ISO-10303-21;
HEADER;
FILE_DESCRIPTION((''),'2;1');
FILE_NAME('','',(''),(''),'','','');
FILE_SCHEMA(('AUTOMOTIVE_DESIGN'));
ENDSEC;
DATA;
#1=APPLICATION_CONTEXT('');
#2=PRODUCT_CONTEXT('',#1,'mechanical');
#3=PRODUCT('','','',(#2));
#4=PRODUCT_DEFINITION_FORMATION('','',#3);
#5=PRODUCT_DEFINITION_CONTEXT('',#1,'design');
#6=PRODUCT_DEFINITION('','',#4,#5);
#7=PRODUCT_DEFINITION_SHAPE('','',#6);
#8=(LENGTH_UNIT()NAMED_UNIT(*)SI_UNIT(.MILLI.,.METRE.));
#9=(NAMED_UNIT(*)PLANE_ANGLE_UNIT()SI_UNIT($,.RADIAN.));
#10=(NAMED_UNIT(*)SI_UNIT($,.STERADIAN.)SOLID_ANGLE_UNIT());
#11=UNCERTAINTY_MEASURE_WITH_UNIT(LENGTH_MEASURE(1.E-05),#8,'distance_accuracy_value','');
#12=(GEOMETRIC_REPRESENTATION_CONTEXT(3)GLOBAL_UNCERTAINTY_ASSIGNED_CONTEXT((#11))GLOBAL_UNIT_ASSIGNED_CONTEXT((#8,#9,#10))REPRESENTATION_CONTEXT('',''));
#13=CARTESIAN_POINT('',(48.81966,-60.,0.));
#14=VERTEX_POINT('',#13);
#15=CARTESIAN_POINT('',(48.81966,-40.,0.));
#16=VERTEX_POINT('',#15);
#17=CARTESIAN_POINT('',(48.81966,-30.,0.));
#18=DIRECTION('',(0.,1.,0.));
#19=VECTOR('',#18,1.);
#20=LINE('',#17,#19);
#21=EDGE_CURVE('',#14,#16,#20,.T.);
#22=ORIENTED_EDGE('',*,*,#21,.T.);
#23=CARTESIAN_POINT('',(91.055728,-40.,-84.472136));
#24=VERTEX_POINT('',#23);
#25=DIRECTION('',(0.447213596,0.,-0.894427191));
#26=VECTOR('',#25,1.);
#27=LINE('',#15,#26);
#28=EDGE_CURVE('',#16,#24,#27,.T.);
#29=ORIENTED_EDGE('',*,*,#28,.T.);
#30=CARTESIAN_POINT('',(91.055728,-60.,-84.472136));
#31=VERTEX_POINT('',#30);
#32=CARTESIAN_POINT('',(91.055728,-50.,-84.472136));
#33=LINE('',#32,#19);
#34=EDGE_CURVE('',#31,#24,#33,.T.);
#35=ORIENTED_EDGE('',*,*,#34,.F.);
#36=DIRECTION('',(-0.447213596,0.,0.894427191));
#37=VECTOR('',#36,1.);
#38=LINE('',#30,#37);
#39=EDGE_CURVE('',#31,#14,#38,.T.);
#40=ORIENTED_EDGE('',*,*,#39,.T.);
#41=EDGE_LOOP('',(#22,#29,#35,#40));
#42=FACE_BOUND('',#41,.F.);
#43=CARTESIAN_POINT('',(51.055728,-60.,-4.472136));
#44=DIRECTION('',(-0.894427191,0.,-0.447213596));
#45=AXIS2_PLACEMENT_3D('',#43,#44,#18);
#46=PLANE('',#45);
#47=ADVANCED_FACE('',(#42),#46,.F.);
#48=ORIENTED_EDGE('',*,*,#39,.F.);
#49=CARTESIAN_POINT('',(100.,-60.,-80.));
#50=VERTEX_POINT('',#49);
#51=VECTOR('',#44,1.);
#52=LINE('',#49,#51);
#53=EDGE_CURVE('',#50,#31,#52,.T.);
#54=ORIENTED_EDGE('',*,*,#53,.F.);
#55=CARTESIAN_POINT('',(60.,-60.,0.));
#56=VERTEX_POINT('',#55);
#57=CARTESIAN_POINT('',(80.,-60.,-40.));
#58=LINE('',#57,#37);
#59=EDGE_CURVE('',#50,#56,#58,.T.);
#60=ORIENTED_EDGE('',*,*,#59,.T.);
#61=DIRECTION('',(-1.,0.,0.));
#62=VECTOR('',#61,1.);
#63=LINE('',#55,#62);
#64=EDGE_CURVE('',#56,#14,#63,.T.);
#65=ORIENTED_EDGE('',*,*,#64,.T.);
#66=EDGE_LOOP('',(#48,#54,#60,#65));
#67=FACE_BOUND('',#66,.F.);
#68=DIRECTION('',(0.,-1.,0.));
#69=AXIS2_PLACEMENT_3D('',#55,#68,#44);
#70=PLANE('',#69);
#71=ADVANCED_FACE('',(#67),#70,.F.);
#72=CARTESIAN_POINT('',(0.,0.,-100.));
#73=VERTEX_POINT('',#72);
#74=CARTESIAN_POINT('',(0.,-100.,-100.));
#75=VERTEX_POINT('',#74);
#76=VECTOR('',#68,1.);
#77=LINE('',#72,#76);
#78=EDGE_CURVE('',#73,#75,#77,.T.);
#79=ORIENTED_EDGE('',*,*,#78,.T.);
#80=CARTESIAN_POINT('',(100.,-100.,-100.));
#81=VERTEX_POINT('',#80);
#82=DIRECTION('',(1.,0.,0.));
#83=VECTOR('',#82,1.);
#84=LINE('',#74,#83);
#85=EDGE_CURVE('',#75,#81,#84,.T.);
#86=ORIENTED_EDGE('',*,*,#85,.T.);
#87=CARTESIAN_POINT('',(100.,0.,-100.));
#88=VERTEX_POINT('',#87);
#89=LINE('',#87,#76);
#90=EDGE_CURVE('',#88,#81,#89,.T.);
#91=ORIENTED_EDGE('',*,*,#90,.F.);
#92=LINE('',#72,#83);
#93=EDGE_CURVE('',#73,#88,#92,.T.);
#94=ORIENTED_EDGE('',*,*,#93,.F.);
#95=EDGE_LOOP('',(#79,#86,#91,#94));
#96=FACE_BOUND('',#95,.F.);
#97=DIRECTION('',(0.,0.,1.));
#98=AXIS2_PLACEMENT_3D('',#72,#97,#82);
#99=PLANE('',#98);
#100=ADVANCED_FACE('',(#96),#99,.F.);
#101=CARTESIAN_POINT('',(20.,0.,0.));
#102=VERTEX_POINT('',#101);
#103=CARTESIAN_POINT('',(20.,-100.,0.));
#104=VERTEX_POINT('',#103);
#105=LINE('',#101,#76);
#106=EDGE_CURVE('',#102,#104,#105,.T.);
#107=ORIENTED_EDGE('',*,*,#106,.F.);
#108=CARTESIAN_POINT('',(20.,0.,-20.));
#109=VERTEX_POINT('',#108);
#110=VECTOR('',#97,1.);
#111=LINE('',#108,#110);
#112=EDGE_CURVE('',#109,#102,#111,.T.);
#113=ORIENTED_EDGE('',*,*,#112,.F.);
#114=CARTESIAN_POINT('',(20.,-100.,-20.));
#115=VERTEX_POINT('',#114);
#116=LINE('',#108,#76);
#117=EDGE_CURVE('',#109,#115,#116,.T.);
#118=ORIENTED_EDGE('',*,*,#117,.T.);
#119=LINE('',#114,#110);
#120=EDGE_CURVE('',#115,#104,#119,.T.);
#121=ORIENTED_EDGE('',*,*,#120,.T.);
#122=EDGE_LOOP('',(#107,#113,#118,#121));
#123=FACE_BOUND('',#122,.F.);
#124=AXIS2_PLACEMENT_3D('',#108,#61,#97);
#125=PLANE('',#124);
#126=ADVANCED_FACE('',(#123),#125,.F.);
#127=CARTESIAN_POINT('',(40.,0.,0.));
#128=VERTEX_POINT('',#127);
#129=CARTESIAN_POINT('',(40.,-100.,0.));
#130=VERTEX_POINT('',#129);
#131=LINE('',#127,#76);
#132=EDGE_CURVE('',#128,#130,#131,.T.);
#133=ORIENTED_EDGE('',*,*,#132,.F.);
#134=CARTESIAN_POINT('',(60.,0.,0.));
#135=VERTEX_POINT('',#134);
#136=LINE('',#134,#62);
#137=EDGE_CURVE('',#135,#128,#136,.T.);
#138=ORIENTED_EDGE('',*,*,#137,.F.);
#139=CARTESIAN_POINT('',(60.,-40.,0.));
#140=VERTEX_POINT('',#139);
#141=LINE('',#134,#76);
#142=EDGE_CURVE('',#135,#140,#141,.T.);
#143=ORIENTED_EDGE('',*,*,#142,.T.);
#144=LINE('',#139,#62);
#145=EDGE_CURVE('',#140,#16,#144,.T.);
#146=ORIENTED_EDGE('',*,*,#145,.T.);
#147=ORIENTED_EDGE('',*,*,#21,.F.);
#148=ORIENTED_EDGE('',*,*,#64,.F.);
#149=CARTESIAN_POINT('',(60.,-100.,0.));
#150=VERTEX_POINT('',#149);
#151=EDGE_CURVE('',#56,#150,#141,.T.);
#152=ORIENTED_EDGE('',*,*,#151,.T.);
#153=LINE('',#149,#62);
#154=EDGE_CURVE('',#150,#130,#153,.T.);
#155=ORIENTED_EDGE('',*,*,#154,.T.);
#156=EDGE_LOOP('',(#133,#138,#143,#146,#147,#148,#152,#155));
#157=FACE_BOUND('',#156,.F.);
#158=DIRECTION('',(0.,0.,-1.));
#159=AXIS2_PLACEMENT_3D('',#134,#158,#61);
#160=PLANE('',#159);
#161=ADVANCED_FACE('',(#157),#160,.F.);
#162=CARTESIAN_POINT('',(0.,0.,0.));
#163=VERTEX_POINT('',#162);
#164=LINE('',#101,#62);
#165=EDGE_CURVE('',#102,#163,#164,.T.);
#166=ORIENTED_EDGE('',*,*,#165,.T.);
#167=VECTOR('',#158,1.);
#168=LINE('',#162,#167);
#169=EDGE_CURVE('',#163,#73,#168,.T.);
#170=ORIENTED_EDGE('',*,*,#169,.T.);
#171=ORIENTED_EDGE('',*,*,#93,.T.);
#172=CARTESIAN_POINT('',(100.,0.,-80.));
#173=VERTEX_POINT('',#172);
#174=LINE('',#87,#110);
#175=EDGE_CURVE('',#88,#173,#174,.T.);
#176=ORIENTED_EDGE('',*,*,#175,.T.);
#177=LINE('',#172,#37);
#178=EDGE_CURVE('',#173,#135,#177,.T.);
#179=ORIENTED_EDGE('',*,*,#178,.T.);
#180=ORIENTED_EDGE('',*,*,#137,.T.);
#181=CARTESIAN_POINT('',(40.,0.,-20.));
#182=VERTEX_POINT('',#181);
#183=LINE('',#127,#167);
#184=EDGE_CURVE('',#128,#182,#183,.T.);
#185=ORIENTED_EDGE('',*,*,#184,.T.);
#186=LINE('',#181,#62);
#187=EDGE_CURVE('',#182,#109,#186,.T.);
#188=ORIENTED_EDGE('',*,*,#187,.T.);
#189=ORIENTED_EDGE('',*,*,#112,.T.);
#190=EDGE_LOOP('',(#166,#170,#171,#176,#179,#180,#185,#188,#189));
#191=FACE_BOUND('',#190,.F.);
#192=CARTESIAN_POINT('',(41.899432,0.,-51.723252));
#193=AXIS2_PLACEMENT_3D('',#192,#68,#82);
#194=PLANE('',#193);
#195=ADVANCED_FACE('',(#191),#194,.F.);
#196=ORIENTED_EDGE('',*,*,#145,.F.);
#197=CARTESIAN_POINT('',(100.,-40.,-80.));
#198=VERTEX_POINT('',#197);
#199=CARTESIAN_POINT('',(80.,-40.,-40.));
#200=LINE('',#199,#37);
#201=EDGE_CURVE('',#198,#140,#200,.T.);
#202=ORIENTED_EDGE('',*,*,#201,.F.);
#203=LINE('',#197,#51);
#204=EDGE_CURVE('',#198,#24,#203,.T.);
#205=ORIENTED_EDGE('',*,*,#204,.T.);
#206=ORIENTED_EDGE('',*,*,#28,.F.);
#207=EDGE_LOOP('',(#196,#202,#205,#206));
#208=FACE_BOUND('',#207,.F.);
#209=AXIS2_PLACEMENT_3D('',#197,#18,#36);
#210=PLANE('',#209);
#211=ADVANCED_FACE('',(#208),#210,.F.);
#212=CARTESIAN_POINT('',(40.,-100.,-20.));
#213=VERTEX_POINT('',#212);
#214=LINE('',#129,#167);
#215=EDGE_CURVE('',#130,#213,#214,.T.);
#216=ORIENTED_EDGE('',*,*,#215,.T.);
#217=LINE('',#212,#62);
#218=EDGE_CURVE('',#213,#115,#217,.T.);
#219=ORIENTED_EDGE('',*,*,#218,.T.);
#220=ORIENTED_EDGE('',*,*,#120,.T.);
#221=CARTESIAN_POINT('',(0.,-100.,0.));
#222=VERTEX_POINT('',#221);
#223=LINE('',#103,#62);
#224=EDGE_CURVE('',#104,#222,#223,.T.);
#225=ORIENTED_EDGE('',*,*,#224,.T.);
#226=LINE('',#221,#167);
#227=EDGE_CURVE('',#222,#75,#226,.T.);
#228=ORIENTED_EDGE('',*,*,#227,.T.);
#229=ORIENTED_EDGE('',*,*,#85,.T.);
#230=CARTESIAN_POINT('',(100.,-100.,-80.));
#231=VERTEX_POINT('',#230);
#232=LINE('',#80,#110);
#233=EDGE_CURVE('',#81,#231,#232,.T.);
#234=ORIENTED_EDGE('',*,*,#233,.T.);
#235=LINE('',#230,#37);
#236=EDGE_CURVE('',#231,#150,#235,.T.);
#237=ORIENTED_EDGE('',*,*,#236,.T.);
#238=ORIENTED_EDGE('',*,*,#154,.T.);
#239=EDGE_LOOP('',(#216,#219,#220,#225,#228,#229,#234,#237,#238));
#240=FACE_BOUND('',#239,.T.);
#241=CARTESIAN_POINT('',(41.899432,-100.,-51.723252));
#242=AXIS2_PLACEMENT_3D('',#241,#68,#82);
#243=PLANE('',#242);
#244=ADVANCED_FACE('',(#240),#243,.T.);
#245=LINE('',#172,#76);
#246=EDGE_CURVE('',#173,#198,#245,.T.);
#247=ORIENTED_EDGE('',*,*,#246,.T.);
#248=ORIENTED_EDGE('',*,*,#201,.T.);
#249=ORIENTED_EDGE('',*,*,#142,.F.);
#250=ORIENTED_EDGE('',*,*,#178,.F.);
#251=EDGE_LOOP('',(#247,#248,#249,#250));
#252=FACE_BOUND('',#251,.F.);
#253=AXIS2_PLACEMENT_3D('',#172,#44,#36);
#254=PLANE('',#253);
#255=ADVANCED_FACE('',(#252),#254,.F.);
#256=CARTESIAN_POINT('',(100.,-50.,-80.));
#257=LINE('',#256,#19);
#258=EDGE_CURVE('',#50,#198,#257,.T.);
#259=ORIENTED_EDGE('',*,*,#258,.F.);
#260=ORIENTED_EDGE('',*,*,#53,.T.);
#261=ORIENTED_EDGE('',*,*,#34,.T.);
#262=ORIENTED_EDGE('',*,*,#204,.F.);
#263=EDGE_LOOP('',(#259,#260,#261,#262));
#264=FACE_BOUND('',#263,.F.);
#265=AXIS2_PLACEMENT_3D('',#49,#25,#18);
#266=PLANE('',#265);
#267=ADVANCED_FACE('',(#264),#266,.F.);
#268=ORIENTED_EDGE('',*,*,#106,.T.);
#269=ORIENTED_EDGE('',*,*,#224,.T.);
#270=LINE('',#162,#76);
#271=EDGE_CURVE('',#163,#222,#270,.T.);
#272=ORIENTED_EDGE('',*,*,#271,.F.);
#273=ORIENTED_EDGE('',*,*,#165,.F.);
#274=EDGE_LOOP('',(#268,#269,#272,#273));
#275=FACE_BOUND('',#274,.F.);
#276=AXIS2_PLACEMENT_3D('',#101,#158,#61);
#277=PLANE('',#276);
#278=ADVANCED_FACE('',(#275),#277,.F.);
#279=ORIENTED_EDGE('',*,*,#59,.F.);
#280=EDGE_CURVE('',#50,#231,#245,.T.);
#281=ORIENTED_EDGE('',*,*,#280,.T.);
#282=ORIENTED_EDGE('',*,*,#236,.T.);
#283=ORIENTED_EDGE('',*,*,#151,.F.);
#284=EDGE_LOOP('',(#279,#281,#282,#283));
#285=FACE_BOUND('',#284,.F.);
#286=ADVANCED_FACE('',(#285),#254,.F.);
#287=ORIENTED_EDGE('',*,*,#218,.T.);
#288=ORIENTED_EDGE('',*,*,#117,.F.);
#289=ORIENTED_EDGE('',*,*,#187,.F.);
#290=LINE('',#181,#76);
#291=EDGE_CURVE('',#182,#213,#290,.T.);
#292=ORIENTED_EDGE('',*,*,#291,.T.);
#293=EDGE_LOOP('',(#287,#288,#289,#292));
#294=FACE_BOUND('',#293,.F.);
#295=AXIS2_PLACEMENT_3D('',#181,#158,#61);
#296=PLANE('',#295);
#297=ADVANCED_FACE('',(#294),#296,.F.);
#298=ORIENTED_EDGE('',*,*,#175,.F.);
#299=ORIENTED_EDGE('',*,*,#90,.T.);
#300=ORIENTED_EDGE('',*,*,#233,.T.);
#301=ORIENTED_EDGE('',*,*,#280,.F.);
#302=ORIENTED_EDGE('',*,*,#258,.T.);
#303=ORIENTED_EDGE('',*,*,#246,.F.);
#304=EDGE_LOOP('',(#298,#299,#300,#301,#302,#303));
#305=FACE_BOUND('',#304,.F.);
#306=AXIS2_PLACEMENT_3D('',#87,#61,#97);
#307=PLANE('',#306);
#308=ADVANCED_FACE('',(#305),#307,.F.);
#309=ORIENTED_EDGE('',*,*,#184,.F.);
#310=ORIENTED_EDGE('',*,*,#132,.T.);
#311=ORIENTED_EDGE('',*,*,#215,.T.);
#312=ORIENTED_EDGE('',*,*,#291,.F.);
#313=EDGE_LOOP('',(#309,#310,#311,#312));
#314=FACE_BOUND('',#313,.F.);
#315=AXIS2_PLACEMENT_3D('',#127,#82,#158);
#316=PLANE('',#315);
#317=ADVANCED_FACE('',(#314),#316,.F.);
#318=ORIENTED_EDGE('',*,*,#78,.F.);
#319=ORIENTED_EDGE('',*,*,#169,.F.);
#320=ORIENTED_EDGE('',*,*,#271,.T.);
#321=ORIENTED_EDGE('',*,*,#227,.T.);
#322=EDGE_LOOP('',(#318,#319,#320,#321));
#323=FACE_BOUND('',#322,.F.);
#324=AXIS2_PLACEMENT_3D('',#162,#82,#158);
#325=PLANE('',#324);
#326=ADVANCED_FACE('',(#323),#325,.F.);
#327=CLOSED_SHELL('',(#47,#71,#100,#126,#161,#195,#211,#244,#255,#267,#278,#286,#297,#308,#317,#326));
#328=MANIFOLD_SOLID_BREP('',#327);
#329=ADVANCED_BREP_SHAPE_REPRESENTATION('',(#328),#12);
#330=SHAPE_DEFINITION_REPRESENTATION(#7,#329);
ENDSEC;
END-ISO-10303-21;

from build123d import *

# Parameters (mm, degrees)
F1_DEPTH = 100
F2_W     = 20
F2_H     = 89.4427191
F3_DEPTH = 10
F4_DEPTH = 10


with BuildPart() as f1:
    # F0 (on Front) → F1 (new body)
    with BuildSketch(Plane.XZ):
        Polygon((20, 0), (0, 0), (0, -100), (100, -100), (100, -80), (60, 0), (40, 0), (40, -20), (20, -20), align=None)
    extrude(amount=F1_DEPTH)

    # F2 (on face) → F3 (cut)
    with BuildSketch(Plane(origin=(48, 0, 24), x_dir=(0, 1, 0), z_dir=(0.894427191, 0, 0.4472135955))):
        with Locations((-50, -71.55417528)):
            Rectangle(F2_W, F2_H)
    extrude(amount=-F3_DEPTH, mode=Mode.SUBTRACT)

    # F4 (cut): a face of the model
    f4_faces = [f1.faces().sort_by_distance(p)[0] for p in [
        (55.527864045, -50, -2.2360679775),
    ]]
    extrude(f4_faces, amount=-F4_DEPTH, mode=Mode.SUBTRACT)


solid = f1.part
